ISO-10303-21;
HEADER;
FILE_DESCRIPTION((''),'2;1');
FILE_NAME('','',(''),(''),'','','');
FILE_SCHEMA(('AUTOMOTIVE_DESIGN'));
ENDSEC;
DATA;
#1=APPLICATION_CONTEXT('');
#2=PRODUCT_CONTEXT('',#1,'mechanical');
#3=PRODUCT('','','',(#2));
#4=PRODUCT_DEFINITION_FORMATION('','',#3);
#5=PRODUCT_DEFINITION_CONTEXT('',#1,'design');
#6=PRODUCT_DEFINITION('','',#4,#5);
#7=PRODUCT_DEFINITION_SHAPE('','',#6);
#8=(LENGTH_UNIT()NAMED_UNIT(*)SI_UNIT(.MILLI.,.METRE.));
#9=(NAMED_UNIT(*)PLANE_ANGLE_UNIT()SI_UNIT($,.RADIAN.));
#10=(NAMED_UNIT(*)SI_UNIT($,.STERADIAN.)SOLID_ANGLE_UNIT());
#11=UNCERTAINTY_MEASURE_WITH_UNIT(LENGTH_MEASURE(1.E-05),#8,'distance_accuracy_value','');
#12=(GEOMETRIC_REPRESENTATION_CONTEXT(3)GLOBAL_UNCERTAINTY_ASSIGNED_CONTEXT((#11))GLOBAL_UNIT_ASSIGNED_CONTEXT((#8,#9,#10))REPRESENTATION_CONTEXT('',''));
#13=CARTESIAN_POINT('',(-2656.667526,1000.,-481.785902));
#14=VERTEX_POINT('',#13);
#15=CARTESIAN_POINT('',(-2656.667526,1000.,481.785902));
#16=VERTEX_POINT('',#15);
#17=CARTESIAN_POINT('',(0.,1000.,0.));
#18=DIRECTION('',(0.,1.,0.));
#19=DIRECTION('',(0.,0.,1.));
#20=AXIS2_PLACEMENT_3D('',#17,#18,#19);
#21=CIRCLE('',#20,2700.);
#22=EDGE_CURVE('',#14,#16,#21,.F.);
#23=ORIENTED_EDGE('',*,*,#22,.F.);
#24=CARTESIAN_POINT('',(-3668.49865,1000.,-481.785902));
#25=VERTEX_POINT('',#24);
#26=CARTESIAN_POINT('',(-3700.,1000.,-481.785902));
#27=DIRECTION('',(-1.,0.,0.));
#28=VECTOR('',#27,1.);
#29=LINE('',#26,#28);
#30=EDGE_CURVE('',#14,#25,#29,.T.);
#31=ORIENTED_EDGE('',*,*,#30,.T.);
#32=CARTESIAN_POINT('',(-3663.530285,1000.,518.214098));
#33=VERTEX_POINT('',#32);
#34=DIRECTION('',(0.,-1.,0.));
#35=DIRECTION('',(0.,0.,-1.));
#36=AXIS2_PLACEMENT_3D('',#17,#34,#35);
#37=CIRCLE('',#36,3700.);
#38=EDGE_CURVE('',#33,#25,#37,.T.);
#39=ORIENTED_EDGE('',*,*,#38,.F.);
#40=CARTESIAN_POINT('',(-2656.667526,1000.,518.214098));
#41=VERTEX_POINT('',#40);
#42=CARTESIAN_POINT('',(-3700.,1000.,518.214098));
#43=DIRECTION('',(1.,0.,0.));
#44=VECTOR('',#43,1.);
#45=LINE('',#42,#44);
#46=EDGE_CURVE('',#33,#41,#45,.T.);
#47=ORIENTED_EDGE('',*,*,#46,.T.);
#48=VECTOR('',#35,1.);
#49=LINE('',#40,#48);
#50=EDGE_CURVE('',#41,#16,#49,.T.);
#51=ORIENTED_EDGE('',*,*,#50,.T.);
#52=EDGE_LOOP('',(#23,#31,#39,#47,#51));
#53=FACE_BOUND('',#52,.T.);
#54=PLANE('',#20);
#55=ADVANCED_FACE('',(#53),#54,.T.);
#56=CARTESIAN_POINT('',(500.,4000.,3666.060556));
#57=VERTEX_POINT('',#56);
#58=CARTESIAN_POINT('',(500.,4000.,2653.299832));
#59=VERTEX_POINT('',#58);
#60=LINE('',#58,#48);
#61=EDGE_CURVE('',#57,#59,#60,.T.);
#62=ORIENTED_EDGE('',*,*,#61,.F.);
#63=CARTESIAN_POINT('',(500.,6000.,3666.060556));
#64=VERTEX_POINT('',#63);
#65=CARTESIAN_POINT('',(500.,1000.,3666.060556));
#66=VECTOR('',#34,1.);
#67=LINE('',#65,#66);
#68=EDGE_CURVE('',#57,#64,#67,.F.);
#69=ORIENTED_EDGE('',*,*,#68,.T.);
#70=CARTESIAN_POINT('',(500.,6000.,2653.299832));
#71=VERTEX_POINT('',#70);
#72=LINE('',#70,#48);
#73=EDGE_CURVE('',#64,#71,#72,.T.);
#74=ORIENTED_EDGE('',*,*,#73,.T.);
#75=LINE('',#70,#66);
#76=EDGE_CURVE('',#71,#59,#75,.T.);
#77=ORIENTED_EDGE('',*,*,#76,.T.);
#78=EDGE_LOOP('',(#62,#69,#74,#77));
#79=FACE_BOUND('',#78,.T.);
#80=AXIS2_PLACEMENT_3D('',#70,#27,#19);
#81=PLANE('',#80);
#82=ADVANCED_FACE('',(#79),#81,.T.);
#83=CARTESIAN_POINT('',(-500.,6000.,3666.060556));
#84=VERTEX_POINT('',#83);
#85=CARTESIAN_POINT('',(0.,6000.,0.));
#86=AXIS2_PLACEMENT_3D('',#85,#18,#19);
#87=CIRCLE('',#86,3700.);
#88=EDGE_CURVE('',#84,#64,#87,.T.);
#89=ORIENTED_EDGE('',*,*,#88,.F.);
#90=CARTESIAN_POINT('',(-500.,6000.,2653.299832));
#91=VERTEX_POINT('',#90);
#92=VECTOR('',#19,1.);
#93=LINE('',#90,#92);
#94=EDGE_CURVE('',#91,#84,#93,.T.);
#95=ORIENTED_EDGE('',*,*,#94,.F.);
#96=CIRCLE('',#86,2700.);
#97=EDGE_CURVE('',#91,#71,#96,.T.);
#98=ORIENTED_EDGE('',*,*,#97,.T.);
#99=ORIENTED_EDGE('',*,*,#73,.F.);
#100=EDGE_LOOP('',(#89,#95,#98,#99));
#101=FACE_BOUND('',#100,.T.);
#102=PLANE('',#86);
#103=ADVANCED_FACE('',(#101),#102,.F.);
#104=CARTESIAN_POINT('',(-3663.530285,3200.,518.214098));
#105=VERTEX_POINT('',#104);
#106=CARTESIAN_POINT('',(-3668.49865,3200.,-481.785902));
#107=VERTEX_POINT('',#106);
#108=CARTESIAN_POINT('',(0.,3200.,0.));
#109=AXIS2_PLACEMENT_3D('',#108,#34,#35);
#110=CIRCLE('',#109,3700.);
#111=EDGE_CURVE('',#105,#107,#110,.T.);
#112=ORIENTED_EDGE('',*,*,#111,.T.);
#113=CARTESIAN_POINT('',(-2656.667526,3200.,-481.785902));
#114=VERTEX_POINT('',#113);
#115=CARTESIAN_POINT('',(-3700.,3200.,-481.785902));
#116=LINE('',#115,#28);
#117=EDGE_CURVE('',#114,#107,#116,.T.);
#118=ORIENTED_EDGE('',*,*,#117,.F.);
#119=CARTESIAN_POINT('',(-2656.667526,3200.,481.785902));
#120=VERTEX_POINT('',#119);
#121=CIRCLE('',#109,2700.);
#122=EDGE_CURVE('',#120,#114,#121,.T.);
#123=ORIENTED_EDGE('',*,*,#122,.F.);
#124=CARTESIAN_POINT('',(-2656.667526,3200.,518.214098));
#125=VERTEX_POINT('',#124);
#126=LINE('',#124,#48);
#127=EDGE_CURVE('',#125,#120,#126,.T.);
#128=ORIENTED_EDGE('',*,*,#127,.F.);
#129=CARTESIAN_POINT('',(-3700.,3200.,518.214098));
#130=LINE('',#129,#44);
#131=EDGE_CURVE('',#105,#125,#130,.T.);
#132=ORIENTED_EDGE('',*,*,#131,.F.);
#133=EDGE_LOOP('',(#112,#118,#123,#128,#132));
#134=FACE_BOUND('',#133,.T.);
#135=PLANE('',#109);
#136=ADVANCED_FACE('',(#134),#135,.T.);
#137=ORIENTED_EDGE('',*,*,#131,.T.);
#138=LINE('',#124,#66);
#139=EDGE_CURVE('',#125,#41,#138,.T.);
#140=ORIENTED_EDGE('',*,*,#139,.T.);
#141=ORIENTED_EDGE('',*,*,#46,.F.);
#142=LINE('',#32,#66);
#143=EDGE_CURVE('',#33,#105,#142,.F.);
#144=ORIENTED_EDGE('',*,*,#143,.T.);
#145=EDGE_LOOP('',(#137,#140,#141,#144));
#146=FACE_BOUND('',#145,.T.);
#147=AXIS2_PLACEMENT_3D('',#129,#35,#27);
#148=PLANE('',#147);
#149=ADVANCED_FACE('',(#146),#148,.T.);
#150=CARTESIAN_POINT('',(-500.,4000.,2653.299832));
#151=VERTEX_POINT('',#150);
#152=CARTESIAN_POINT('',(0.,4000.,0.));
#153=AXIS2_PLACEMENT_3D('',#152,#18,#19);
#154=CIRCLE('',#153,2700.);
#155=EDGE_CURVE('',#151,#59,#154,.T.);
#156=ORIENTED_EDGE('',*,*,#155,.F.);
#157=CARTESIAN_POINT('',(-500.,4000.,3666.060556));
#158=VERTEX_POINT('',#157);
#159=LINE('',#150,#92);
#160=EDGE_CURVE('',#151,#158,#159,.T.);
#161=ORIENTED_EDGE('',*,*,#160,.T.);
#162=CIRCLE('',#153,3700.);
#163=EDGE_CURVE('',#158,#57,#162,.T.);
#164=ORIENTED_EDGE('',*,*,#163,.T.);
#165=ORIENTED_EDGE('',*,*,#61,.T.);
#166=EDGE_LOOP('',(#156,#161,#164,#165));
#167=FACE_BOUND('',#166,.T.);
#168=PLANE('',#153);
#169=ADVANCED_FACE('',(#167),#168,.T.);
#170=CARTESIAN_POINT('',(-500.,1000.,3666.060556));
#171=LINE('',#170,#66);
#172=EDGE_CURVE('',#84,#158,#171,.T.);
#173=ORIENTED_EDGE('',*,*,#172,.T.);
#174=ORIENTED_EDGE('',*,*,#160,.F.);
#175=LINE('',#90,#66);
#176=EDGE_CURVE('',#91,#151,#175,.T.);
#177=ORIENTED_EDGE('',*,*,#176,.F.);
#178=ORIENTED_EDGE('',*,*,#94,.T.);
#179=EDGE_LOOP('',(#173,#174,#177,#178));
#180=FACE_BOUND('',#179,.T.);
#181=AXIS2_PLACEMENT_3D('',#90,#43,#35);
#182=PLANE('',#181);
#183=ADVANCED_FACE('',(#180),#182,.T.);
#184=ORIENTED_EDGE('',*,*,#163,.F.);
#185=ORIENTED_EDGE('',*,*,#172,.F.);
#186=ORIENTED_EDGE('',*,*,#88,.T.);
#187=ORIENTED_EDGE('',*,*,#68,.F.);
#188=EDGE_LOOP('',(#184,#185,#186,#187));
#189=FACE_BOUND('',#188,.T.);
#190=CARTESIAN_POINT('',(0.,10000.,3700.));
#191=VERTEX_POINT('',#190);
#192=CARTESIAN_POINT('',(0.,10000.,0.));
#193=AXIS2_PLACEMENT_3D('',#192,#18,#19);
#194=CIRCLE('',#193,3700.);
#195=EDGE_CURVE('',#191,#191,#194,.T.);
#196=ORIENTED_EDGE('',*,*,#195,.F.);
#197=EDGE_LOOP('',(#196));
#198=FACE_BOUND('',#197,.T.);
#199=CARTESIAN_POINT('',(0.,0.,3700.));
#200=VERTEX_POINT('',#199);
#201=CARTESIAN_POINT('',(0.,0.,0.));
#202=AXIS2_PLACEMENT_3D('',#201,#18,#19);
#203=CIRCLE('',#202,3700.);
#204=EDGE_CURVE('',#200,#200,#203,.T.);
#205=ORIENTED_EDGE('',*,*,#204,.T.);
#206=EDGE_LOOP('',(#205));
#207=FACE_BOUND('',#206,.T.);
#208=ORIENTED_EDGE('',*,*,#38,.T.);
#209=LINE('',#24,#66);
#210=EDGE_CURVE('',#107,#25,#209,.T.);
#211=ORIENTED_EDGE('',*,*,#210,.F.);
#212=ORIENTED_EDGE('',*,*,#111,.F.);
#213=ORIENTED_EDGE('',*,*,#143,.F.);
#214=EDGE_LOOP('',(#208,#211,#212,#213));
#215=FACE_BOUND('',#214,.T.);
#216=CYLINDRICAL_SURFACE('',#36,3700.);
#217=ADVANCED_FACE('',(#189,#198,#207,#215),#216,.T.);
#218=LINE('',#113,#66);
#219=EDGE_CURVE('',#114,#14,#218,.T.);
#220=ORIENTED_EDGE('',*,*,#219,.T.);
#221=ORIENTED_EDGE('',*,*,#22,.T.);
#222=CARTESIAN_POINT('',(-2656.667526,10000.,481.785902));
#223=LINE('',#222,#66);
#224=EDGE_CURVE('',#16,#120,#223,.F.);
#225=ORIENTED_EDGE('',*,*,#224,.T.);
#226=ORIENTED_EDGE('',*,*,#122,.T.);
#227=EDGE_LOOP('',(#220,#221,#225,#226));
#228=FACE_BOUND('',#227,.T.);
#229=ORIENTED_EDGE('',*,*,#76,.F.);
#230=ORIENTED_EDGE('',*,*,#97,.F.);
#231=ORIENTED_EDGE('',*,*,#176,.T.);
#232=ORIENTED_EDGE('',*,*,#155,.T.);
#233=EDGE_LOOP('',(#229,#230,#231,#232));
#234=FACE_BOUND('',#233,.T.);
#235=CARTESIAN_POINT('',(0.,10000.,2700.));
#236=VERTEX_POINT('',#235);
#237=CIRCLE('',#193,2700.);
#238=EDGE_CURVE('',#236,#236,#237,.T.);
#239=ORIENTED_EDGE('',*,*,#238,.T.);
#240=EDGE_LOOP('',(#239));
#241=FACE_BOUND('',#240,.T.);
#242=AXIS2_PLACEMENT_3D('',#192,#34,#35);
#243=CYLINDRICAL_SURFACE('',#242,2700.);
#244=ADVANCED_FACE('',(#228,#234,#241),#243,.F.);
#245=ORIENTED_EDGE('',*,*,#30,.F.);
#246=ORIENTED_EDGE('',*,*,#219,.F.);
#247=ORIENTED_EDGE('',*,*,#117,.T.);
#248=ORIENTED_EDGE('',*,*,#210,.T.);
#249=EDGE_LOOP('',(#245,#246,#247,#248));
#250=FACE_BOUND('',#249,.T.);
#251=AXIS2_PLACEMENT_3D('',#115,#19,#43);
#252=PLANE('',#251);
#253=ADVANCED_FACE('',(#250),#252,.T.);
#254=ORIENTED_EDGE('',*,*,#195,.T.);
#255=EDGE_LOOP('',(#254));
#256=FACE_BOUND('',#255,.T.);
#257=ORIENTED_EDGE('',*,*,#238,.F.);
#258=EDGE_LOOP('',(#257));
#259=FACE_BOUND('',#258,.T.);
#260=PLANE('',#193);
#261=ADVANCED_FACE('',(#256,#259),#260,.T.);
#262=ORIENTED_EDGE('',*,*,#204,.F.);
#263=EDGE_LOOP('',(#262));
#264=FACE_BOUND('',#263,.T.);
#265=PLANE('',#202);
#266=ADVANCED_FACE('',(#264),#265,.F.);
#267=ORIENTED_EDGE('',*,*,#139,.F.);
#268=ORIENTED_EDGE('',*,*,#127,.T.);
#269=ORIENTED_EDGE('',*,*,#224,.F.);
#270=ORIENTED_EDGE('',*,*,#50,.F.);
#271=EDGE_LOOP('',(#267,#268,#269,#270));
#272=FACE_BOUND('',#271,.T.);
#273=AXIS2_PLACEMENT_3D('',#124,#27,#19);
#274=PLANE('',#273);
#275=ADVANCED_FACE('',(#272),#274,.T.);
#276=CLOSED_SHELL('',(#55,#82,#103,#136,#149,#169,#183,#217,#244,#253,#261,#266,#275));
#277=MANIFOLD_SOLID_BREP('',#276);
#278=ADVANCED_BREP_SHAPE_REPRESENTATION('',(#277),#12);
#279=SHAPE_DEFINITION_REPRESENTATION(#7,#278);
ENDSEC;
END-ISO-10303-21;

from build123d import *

# Parameters (mm, degrees)
SKETCH_1_R          = 3700
EXTRUDE_1_DEPTH     = 1000
SKETCH_2_R          = 3700
SKETCH_2_R_2        = 2700
EXTRUDE_2_DEPTH     = 9000
SKETCH_4_W          = 1000
SKETCH_4_H          = 1046.700167716
CUT_EXTRUDE_2_DEPTH = 2000
SKETCH_3_W          = 1043.332473871
SKETCH_3_H          = 1000
CUT_EXTRUDE_1_DEPTH = 2200


with BuildPart() as part:
    # ｽｹｯﾁ1 → ﾎﾞｽ - 押し出し1 (new body)
    with BuildSketch(Plane(origin=(0, 0, 0), x_dir=(1, 0, 0), z_dir=(0, 1, 0))):
        Circle(SKETCH_1_R)
    extrude(amount=EXTRUDE_1_DEPTH)

    # ｽｹｯﾁ2 → ﾎﾞｽ - 押し出し2 (add)
    with BuildSketch(Plane(origin=(0, 1000, 0), x_dir=(1, 0, 0), z_dir=(0, 1, 0))):
        Circle(SKETCH_2_R)
        Circle(SKETCH_2_R_2, mode=Mode.SUBTRACT)
    extrude(amount=EXTRUDE_2_DEPTH)

    # ｽｹｯﾁ4 → ｶｯﾄ - 押し出し2 (cut)
    with BuildSketch(Plane(origin=(0, 4000, 0), x_dir=(1, 0, 0), z_dir=(0, 1, 0))):
        with Locations((0, -3176.649916142)):
            Rectangle(SKETCH_4_W, SKETCH_4_H)
    extrude(amount=CUT_EXTRUDE_2_DEPTH, mode=Mode.SUBTRACT)

    # ｽｹｯﾁ3 → ｶｯﾄ - 押し出し1 (cut)
    with BuildSketch(Plane(origin=(0, 1000, 0), x_dir=(1, 0, 0), z_dir=(0, 1, 0))):
        with Locations((-3178.333763065, -18.214097747)):
            Rectangle(SKETCH_3_W, SKETCH_3_H)
    extrude(amount=CUT_EXTRUDE_1_DEPTH, mode=Mode.SUBTRACT)


solid = part.part
